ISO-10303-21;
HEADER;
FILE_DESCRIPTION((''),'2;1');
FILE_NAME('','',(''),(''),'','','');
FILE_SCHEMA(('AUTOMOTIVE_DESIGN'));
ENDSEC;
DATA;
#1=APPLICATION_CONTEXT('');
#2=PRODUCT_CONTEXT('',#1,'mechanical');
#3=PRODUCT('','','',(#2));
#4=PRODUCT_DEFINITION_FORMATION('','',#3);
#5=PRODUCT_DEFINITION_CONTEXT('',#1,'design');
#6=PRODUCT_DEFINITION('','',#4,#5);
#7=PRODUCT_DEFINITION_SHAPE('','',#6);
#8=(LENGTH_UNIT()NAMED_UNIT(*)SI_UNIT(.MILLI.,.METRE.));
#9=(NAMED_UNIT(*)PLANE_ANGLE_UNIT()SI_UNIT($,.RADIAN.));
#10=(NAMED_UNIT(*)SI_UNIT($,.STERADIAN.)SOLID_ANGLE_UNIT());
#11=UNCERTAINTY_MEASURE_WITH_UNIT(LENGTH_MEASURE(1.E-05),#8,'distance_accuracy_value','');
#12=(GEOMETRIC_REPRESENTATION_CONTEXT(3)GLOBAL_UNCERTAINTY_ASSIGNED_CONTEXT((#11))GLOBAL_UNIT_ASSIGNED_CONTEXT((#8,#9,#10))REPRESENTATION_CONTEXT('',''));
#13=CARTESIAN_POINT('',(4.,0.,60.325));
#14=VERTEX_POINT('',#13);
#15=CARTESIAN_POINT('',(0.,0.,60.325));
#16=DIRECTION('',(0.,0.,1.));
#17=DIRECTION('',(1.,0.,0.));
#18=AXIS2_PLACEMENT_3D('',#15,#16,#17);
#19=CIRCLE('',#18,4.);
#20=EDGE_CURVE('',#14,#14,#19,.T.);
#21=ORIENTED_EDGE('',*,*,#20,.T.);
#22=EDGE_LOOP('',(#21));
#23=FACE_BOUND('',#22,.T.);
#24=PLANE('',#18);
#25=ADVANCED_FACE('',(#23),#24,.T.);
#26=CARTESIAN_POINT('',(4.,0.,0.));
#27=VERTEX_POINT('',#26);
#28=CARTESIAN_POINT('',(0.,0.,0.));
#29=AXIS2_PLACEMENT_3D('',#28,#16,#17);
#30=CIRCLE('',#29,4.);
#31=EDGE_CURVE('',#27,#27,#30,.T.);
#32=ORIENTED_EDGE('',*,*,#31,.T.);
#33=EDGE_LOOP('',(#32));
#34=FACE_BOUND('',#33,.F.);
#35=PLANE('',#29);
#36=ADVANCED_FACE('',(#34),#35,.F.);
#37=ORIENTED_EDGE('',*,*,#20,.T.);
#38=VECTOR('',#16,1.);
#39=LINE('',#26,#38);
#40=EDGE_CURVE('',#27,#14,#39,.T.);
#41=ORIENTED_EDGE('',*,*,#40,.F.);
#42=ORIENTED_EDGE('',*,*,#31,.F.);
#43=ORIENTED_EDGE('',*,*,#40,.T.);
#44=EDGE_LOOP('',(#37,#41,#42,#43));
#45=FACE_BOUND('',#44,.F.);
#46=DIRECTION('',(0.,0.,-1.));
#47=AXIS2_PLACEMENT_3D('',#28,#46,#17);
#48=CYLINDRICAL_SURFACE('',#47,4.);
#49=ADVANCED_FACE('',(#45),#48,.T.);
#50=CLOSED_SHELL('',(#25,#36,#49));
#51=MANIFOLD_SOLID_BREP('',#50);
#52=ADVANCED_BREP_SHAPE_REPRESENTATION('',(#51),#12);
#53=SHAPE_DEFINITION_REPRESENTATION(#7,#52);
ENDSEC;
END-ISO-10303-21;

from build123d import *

# Parameters (mm, degrees)
SKETCH_R  = 4
PAD_DEPTH = 60.325


with BuildPart() as part:
    # Sketch → Pad (new body)
    with BuildSketch(Plane.XY):
        Circle(SKETCH_R)
    extrude(amount=PAD_DEPTH)


solid = part.part
